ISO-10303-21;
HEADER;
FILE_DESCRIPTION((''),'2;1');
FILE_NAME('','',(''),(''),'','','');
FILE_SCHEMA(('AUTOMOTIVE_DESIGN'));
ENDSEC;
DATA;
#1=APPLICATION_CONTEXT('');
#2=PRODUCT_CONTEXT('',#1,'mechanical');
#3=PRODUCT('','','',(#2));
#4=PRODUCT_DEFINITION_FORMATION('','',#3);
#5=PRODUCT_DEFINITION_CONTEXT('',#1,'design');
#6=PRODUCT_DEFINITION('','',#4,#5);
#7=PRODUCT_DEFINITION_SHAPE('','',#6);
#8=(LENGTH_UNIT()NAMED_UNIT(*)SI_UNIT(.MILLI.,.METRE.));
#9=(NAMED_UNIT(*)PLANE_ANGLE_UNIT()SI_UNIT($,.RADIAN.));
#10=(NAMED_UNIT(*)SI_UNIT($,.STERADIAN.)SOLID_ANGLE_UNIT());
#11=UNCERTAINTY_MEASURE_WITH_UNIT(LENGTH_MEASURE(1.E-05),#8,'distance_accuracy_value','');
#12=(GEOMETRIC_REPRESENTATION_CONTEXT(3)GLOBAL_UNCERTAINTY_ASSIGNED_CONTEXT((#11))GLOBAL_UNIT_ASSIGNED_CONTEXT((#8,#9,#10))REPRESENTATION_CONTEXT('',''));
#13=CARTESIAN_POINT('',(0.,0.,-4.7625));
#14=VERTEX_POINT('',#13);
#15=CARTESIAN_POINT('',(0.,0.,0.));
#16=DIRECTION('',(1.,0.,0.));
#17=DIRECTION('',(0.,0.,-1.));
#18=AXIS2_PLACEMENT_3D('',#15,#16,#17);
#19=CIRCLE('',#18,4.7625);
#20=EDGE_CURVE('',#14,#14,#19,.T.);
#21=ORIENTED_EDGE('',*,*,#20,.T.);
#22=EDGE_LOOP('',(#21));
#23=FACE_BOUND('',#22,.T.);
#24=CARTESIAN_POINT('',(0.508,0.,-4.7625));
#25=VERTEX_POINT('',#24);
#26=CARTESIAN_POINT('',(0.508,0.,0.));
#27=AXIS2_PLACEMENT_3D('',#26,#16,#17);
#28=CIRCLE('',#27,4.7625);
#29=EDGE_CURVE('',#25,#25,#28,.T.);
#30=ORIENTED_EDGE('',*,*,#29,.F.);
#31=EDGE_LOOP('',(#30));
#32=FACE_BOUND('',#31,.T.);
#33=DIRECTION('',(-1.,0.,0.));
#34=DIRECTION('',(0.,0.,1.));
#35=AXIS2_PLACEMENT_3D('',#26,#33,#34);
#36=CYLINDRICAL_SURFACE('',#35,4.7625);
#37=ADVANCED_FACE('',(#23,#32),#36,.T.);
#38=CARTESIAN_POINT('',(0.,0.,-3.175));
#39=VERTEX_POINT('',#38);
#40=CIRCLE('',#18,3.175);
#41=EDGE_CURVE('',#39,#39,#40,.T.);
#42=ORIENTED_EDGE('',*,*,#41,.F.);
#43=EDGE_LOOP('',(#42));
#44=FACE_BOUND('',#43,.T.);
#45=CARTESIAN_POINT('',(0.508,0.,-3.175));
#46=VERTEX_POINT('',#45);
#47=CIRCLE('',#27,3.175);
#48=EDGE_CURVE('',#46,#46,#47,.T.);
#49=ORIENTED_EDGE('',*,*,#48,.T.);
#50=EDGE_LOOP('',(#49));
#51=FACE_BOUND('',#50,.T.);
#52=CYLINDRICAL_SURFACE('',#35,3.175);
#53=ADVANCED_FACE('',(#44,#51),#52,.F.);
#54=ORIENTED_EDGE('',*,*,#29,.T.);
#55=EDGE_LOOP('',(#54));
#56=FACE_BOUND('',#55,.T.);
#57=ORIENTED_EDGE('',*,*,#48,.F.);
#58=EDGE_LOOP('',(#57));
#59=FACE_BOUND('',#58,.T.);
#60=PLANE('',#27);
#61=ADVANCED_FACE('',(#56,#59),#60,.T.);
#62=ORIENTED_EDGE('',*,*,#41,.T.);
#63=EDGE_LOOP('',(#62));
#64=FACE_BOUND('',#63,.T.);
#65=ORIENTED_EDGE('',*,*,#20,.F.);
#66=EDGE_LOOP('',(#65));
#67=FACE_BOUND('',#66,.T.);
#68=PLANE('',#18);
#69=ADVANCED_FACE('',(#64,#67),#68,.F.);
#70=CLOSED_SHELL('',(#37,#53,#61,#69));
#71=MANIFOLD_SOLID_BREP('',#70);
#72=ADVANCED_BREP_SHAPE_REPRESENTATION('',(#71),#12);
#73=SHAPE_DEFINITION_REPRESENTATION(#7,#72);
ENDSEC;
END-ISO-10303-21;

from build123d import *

# Parameters (mm, degrees)
SKETCH1_R           = 4.7625
SKETCH1_R_2         = 3.175
BOSS_EXTRUDE1_DEPTH = 0.508


with BuildPart() as part:
    # Sketch1 → Boss-Extrude1 (new body)
    with BuildSketch(Plane(origin=(0, 0, 0), x_dir=(0, 0, -1), z_dir=(1, 0, 0))):
        Circle(SKETCH1_R)
        Circle(SKETCH1_R_2, mode=Mode.SUBTRACT)
    extrude(amount=BOSS_EXTRUDE1_DEPTH)


solid = part.part
